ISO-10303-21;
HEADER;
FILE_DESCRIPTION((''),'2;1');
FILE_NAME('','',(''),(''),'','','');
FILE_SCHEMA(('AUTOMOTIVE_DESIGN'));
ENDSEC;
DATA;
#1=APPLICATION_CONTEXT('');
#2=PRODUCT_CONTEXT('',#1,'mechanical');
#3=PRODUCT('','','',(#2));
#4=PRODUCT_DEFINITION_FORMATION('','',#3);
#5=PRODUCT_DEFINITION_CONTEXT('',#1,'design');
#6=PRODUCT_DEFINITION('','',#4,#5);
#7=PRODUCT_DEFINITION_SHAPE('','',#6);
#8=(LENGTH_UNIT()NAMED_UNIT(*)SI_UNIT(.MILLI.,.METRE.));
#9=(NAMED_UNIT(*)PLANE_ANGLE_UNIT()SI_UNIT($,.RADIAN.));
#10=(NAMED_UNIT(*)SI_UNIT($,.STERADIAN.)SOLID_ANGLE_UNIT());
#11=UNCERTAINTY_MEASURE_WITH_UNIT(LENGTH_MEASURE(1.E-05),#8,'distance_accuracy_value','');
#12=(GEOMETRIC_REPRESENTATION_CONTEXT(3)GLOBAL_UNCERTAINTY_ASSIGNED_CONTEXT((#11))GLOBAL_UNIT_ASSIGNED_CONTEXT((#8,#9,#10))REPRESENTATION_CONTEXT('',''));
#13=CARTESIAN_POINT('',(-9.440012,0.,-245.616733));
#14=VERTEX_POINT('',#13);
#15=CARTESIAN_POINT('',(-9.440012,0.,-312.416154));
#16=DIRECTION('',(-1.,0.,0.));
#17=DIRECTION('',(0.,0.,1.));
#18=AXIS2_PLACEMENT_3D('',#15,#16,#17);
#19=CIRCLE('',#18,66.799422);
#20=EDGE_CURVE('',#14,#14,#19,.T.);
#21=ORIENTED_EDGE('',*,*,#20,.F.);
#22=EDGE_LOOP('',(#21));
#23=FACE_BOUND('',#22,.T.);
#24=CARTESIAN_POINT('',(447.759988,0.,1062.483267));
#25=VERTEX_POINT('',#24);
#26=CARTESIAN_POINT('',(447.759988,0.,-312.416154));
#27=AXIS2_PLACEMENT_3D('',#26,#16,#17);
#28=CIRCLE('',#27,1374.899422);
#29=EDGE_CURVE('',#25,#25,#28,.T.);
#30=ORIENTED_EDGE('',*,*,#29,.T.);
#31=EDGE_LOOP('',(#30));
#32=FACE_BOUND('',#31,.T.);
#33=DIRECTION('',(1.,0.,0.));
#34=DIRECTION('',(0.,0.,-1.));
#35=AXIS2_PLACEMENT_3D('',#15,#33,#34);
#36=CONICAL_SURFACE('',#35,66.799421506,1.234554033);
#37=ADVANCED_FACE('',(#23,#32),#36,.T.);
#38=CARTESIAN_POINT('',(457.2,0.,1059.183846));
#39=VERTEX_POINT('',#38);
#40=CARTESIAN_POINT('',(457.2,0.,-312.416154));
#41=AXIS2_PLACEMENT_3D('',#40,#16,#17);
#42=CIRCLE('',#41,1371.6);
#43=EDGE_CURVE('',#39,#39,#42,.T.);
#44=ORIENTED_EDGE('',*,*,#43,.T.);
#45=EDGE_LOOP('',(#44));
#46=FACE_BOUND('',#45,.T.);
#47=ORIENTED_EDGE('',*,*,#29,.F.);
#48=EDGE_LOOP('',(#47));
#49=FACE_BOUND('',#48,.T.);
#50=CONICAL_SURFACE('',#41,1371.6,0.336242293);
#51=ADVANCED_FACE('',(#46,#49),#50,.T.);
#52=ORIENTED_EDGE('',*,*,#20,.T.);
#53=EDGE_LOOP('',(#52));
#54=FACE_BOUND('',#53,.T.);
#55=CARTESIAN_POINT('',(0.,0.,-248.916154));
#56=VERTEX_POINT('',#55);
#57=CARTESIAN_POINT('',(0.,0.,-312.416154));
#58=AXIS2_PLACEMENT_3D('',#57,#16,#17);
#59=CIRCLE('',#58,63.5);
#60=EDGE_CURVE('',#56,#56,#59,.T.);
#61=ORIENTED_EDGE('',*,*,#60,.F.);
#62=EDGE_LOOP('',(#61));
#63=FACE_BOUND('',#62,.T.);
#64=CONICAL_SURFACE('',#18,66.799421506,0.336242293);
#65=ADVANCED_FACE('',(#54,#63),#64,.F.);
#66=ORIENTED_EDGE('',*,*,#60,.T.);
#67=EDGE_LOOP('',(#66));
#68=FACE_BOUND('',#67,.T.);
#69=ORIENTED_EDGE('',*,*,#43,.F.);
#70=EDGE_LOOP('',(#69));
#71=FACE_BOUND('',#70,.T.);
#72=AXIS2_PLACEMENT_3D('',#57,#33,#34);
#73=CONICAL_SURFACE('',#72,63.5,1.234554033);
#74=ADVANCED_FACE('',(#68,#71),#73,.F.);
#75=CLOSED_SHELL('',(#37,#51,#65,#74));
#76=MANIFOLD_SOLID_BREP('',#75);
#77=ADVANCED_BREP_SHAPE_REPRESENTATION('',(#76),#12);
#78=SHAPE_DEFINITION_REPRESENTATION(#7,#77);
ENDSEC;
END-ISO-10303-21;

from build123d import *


with BuildPart() as part:
    # Sketch1 → Revolve-Thin1 (revolve)
    with BuildSketch(Plane(origin=(0, 0, 0), x_dir=(1, 0, 0), z_dir=(0, 1, 0))):
        Polygon((0, 248.916154258), (457.2, -1059.183845742), (447.759988468, -1062.483267248), (-9.440011532, 245.616732752), align=None)
    revolve(axis=Axis((0, 0, -312.416154258), (1, 0, 0)))


solid = part.part
